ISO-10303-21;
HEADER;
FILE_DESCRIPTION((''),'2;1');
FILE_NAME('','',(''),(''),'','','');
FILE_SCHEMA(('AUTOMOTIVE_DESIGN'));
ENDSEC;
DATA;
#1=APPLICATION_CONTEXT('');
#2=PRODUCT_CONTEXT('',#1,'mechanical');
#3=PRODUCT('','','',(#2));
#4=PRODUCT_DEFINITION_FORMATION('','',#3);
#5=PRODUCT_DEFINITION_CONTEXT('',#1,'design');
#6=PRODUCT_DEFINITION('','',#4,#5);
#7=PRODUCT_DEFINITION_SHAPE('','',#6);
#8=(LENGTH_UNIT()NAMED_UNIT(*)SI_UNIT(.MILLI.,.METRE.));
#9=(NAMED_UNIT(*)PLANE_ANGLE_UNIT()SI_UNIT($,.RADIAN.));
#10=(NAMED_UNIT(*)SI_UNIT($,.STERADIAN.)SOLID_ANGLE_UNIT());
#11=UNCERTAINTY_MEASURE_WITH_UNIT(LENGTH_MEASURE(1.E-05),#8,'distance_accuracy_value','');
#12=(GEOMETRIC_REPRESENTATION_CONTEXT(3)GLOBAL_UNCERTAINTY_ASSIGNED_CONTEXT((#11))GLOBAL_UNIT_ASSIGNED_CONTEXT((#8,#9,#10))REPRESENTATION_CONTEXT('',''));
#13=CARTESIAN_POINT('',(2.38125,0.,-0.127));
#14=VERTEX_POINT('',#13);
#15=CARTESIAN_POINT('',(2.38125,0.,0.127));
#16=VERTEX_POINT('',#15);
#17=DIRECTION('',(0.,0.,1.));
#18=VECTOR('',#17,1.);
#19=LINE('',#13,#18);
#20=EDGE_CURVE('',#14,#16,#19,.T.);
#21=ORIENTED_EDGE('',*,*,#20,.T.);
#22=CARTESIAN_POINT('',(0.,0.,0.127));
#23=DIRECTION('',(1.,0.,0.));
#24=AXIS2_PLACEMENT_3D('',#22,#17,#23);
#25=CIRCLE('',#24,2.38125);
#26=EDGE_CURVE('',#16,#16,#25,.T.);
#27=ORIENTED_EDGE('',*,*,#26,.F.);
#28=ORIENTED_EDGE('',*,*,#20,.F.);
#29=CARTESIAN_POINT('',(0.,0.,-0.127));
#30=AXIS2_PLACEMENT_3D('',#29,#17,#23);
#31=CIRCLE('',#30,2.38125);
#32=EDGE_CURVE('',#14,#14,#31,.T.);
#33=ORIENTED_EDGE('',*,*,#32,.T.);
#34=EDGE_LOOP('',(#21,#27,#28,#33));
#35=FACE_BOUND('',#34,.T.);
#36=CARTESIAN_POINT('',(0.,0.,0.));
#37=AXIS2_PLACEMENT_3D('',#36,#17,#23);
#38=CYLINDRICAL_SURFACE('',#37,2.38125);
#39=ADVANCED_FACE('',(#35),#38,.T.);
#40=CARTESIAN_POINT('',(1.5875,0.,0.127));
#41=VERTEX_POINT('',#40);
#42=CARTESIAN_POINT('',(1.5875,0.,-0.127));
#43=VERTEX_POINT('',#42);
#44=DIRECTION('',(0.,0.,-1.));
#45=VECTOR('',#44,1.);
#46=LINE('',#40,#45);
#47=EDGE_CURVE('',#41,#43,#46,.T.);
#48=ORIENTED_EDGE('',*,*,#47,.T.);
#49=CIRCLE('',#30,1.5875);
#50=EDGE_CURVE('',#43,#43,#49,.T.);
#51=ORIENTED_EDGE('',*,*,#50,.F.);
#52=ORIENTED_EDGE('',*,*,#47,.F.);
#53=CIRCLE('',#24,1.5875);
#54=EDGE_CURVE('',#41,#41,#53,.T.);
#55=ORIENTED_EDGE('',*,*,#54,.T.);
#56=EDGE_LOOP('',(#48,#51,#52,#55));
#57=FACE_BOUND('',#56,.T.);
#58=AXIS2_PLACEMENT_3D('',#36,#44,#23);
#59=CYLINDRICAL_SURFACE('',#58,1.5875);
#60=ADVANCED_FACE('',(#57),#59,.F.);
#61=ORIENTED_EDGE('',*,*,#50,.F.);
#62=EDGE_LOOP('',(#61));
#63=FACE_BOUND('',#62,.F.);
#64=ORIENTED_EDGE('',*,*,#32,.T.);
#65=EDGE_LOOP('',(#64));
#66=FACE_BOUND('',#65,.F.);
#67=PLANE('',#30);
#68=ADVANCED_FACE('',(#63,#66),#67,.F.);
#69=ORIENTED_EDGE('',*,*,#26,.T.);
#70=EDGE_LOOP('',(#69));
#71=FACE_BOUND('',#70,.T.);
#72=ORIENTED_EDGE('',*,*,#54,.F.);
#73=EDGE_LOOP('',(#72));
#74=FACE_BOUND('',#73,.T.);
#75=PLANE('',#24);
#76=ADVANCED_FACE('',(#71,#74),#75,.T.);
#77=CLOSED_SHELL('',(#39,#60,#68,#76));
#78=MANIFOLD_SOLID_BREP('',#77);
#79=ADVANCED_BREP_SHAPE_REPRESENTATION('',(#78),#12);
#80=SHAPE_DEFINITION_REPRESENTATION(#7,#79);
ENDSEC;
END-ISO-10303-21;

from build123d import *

# Parameters (mm, degrees)
SKETCH3_R           = 2.38125
SKETCH3_R_2         = 1.5875
BOSS_EXTRUDE1_DEPTH = 0.127


with BuildPart() as part:
    # Sketch3 → Boss-Extrude1 (new, symmetric)
    with BuildSketch(Plane.XY):
        Circle(SKETCH3_R)
        Circle(SKETCH3_R_2, mode=Mode.SUBTRACT)
    extrude(amount=BOSS_EXTRUDE1_DEPTH, both=True)


solid = part.part
